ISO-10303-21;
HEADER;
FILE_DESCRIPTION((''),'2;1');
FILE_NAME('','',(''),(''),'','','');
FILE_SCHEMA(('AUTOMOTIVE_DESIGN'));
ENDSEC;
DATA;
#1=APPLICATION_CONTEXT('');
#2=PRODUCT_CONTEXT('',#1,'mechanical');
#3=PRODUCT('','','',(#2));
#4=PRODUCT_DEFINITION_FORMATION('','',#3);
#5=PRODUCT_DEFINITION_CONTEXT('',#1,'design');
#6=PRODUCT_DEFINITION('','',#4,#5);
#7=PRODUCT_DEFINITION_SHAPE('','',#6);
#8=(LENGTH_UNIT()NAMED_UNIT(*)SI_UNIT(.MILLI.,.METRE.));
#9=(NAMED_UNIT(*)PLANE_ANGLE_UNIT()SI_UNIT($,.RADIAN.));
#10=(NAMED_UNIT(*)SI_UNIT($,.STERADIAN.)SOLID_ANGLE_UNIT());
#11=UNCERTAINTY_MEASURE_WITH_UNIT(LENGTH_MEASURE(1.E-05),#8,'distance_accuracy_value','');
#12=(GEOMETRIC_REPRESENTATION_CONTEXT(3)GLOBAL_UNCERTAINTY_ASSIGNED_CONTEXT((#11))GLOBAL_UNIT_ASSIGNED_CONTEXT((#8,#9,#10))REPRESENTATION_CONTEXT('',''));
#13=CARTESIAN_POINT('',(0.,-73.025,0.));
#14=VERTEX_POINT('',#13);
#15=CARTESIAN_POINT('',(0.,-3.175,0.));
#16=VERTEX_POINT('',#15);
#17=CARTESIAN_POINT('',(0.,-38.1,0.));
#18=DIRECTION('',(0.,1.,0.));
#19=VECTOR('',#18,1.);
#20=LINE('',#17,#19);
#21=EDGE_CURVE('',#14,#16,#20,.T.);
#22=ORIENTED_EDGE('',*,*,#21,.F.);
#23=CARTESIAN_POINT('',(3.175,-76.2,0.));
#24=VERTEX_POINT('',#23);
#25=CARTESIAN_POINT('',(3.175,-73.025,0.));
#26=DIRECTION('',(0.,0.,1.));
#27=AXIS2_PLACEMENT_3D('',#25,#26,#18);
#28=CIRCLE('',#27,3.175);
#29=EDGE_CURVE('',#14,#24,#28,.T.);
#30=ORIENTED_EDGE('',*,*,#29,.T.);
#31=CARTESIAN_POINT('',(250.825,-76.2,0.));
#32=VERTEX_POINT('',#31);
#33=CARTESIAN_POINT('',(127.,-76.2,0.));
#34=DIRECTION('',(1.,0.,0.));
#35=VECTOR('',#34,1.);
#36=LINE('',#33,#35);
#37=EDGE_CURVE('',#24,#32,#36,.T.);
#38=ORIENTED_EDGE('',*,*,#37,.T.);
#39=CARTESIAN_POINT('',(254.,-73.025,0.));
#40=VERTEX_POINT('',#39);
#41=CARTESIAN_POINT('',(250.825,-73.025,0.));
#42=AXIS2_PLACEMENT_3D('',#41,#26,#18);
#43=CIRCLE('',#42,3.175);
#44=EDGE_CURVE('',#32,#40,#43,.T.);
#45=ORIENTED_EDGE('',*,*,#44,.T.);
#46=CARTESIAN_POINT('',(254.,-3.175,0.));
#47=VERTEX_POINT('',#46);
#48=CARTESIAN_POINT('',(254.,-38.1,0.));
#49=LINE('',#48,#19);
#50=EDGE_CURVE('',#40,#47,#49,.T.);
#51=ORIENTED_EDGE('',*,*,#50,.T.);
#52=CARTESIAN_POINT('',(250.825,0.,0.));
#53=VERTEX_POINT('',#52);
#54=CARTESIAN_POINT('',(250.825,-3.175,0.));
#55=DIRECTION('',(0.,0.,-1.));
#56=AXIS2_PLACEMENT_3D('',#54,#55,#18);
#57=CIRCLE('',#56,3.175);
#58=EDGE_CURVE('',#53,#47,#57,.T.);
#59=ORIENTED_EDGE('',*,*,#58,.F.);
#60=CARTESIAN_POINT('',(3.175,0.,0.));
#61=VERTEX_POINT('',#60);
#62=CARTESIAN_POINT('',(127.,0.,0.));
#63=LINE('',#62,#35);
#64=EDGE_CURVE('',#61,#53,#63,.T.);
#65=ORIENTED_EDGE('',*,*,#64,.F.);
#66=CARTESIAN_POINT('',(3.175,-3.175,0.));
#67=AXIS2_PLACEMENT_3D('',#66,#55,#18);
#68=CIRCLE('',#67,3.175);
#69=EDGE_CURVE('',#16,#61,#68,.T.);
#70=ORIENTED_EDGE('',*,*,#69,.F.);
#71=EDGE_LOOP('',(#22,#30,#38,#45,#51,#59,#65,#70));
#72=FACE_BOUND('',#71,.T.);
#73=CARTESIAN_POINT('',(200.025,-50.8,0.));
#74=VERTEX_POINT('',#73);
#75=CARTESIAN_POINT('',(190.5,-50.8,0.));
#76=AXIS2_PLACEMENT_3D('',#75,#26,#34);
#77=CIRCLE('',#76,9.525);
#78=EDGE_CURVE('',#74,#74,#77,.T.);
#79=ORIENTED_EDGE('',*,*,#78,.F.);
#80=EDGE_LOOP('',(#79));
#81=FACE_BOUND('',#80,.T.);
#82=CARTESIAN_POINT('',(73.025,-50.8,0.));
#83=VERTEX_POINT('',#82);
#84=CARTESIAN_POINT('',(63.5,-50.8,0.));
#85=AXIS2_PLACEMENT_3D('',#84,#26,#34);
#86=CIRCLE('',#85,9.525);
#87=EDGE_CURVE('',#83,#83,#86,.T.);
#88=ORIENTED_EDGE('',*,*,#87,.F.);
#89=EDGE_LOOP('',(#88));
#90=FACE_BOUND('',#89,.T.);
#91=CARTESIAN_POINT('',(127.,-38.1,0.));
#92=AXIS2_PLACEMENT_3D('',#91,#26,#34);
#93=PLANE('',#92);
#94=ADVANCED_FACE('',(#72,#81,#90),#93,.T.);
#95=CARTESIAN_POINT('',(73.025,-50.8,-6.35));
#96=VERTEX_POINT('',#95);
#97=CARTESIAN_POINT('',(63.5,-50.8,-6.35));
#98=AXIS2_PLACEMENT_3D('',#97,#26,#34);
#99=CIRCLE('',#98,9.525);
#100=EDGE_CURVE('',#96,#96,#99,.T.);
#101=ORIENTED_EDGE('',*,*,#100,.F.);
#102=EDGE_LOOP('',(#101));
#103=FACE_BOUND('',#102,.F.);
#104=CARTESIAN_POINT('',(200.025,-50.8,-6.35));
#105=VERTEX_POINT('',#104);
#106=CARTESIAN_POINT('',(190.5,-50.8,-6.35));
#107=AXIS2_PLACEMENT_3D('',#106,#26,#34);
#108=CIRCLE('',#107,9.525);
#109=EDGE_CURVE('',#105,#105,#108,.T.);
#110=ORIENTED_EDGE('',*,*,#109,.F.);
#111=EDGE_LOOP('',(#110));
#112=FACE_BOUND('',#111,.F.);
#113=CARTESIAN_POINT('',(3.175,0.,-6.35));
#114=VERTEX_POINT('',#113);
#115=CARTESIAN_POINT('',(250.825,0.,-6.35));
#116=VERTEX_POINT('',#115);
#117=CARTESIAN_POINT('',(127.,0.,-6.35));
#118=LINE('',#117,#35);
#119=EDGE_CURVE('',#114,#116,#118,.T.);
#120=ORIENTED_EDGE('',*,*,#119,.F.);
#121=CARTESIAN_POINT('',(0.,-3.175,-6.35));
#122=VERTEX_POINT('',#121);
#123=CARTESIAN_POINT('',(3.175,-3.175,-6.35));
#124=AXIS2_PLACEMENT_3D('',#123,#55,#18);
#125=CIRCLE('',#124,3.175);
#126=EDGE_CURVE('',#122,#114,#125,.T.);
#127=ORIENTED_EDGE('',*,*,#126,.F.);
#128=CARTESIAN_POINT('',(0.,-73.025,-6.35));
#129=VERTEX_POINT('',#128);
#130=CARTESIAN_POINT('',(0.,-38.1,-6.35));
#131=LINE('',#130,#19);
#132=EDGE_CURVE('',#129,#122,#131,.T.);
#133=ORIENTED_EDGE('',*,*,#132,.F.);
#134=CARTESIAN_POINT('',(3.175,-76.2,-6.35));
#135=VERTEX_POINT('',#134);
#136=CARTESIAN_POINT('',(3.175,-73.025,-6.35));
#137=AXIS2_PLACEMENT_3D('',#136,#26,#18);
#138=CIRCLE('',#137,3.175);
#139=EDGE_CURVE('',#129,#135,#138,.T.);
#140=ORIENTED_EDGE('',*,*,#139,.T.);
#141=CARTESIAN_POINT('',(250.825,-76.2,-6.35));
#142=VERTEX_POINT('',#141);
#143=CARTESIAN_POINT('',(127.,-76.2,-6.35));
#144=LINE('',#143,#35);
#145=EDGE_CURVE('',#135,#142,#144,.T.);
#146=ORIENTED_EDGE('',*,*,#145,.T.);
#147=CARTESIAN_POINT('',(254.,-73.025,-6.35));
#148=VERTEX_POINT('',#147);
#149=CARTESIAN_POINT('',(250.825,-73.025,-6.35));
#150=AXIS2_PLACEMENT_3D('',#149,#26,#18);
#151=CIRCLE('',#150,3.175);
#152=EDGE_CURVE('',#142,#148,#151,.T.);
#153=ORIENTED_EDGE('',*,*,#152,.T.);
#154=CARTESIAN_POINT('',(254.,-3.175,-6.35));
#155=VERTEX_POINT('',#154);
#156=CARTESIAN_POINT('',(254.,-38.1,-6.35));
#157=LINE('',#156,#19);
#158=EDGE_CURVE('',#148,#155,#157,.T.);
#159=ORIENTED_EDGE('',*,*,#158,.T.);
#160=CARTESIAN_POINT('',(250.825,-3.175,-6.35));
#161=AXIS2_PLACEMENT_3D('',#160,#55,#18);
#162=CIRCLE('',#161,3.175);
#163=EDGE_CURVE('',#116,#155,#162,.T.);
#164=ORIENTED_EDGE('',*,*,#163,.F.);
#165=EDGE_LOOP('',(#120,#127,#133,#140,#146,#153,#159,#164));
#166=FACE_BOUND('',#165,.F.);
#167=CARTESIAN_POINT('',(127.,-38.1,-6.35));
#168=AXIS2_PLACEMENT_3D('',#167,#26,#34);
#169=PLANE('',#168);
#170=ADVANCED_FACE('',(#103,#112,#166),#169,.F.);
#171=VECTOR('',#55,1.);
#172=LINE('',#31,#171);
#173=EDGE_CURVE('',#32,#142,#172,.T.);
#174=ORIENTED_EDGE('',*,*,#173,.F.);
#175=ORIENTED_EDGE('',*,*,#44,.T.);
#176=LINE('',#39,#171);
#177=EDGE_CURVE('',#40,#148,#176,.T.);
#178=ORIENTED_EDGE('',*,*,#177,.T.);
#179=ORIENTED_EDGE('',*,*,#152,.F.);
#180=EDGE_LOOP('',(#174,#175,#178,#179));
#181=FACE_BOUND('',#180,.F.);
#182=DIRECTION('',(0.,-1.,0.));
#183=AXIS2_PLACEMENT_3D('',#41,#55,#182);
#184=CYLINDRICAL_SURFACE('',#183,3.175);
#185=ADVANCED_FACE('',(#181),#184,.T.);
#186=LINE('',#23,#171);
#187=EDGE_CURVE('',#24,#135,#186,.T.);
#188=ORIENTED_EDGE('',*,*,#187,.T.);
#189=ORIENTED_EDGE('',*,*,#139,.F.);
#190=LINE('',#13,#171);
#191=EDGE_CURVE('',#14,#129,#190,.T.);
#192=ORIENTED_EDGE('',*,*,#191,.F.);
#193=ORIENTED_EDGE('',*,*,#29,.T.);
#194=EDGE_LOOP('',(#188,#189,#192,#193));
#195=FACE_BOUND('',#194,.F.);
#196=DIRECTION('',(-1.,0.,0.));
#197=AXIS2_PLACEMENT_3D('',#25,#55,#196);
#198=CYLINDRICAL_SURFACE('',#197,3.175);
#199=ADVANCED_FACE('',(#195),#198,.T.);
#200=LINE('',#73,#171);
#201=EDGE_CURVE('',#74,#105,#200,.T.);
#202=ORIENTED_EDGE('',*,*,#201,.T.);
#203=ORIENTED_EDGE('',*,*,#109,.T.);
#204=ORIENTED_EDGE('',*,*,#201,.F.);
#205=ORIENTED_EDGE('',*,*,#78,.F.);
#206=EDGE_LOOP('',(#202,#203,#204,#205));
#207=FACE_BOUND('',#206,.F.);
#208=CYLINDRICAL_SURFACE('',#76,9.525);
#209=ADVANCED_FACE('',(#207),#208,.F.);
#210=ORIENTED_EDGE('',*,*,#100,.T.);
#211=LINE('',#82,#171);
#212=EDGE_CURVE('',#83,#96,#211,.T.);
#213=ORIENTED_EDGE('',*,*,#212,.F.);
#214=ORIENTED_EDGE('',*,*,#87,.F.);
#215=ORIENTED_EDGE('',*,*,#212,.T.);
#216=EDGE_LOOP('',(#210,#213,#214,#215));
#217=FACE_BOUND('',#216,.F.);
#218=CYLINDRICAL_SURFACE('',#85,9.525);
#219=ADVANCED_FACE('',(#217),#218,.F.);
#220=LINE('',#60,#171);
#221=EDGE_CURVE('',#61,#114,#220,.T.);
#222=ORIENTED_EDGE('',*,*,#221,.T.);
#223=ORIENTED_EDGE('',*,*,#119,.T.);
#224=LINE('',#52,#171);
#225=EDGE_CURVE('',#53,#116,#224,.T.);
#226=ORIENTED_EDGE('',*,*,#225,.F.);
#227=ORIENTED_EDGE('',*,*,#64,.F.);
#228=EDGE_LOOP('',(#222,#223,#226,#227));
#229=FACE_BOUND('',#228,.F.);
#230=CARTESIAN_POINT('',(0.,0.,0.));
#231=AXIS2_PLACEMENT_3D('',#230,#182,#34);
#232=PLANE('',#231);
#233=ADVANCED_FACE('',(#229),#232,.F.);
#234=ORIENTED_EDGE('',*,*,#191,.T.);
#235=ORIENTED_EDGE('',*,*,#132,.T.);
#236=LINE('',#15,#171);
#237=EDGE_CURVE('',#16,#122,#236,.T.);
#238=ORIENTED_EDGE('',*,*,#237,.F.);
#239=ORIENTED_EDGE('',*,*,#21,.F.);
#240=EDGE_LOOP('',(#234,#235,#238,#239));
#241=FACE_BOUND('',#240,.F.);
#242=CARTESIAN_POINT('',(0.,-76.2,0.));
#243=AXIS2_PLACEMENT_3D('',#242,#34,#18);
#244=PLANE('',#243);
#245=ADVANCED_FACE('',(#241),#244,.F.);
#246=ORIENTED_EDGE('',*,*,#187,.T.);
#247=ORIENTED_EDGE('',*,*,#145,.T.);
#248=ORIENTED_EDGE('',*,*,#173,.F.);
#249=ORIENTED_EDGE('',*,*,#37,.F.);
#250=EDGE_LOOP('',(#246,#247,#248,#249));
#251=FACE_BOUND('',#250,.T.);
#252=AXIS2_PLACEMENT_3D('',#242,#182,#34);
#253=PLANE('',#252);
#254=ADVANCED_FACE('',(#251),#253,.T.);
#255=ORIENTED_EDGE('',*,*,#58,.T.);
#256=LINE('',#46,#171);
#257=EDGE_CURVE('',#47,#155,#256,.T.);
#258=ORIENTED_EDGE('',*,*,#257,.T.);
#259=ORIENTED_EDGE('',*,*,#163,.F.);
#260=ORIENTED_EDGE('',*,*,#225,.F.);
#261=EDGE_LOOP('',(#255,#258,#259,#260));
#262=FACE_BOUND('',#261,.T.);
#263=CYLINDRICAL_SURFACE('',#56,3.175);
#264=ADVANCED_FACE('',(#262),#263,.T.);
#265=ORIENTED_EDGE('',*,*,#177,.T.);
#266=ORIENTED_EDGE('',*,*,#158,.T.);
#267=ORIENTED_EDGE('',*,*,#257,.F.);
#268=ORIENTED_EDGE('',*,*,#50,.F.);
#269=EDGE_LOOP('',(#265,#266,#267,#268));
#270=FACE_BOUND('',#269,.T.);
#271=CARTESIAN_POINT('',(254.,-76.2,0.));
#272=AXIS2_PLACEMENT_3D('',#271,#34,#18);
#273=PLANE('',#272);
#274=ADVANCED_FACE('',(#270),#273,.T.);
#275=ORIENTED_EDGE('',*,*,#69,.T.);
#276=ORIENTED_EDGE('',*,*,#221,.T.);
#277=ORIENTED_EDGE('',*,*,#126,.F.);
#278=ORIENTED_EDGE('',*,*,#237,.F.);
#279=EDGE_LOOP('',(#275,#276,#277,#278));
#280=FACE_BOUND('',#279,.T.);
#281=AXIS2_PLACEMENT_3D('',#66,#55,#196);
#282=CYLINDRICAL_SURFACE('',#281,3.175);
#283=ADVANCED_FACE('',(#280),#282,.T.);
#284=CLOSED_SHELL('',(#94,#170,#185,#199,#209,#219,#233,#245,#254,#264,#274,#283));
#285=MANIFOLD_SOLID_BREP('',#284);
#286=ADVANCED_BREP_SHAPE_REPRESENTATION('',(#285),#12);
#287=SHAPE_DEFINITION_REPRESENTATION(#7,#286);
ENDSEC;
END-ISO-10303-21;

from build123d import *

# Parameters (mm, degrees)
F0_W     = 254
F0_H     = 76.2
F1_DEPTH = 6.35
F2_R     = 9.525
F3_DEPTH = 25.4
F4_R     = 3.175


with BuildPart() as f1:
    # F0 (on Top) → F1 (new body)
    with BuildSketch(Plane.XY):
        with Locations((127, -38.1)):
            Rectangle(F0_W, F0_H)
    extrude(amount=-F1_DEPTH)

    # F2 (on face) → F3 (cut)
    with BuildSketch(Plane.XY):
        with Locations((63.5, -50.8)):
            Circle(F2_R)
        with Locations((190.5, -50.8)):
            Circle(F2_R)
    extrude(amount=-F3_DEPTH, mode=Mode.SUBTRACT)

    # F4
    f4_edges = [f1.edges().sort_by_distance(p)[0] for p in [
        (254, -76.2, -3.175),
        (254, 0, -3.175),
        (0, -76.2, -3.175),
        (0, 0, -3.175),
    ]]
    fillet(f4_edges, radius=F4_R)


solid = f1.part
